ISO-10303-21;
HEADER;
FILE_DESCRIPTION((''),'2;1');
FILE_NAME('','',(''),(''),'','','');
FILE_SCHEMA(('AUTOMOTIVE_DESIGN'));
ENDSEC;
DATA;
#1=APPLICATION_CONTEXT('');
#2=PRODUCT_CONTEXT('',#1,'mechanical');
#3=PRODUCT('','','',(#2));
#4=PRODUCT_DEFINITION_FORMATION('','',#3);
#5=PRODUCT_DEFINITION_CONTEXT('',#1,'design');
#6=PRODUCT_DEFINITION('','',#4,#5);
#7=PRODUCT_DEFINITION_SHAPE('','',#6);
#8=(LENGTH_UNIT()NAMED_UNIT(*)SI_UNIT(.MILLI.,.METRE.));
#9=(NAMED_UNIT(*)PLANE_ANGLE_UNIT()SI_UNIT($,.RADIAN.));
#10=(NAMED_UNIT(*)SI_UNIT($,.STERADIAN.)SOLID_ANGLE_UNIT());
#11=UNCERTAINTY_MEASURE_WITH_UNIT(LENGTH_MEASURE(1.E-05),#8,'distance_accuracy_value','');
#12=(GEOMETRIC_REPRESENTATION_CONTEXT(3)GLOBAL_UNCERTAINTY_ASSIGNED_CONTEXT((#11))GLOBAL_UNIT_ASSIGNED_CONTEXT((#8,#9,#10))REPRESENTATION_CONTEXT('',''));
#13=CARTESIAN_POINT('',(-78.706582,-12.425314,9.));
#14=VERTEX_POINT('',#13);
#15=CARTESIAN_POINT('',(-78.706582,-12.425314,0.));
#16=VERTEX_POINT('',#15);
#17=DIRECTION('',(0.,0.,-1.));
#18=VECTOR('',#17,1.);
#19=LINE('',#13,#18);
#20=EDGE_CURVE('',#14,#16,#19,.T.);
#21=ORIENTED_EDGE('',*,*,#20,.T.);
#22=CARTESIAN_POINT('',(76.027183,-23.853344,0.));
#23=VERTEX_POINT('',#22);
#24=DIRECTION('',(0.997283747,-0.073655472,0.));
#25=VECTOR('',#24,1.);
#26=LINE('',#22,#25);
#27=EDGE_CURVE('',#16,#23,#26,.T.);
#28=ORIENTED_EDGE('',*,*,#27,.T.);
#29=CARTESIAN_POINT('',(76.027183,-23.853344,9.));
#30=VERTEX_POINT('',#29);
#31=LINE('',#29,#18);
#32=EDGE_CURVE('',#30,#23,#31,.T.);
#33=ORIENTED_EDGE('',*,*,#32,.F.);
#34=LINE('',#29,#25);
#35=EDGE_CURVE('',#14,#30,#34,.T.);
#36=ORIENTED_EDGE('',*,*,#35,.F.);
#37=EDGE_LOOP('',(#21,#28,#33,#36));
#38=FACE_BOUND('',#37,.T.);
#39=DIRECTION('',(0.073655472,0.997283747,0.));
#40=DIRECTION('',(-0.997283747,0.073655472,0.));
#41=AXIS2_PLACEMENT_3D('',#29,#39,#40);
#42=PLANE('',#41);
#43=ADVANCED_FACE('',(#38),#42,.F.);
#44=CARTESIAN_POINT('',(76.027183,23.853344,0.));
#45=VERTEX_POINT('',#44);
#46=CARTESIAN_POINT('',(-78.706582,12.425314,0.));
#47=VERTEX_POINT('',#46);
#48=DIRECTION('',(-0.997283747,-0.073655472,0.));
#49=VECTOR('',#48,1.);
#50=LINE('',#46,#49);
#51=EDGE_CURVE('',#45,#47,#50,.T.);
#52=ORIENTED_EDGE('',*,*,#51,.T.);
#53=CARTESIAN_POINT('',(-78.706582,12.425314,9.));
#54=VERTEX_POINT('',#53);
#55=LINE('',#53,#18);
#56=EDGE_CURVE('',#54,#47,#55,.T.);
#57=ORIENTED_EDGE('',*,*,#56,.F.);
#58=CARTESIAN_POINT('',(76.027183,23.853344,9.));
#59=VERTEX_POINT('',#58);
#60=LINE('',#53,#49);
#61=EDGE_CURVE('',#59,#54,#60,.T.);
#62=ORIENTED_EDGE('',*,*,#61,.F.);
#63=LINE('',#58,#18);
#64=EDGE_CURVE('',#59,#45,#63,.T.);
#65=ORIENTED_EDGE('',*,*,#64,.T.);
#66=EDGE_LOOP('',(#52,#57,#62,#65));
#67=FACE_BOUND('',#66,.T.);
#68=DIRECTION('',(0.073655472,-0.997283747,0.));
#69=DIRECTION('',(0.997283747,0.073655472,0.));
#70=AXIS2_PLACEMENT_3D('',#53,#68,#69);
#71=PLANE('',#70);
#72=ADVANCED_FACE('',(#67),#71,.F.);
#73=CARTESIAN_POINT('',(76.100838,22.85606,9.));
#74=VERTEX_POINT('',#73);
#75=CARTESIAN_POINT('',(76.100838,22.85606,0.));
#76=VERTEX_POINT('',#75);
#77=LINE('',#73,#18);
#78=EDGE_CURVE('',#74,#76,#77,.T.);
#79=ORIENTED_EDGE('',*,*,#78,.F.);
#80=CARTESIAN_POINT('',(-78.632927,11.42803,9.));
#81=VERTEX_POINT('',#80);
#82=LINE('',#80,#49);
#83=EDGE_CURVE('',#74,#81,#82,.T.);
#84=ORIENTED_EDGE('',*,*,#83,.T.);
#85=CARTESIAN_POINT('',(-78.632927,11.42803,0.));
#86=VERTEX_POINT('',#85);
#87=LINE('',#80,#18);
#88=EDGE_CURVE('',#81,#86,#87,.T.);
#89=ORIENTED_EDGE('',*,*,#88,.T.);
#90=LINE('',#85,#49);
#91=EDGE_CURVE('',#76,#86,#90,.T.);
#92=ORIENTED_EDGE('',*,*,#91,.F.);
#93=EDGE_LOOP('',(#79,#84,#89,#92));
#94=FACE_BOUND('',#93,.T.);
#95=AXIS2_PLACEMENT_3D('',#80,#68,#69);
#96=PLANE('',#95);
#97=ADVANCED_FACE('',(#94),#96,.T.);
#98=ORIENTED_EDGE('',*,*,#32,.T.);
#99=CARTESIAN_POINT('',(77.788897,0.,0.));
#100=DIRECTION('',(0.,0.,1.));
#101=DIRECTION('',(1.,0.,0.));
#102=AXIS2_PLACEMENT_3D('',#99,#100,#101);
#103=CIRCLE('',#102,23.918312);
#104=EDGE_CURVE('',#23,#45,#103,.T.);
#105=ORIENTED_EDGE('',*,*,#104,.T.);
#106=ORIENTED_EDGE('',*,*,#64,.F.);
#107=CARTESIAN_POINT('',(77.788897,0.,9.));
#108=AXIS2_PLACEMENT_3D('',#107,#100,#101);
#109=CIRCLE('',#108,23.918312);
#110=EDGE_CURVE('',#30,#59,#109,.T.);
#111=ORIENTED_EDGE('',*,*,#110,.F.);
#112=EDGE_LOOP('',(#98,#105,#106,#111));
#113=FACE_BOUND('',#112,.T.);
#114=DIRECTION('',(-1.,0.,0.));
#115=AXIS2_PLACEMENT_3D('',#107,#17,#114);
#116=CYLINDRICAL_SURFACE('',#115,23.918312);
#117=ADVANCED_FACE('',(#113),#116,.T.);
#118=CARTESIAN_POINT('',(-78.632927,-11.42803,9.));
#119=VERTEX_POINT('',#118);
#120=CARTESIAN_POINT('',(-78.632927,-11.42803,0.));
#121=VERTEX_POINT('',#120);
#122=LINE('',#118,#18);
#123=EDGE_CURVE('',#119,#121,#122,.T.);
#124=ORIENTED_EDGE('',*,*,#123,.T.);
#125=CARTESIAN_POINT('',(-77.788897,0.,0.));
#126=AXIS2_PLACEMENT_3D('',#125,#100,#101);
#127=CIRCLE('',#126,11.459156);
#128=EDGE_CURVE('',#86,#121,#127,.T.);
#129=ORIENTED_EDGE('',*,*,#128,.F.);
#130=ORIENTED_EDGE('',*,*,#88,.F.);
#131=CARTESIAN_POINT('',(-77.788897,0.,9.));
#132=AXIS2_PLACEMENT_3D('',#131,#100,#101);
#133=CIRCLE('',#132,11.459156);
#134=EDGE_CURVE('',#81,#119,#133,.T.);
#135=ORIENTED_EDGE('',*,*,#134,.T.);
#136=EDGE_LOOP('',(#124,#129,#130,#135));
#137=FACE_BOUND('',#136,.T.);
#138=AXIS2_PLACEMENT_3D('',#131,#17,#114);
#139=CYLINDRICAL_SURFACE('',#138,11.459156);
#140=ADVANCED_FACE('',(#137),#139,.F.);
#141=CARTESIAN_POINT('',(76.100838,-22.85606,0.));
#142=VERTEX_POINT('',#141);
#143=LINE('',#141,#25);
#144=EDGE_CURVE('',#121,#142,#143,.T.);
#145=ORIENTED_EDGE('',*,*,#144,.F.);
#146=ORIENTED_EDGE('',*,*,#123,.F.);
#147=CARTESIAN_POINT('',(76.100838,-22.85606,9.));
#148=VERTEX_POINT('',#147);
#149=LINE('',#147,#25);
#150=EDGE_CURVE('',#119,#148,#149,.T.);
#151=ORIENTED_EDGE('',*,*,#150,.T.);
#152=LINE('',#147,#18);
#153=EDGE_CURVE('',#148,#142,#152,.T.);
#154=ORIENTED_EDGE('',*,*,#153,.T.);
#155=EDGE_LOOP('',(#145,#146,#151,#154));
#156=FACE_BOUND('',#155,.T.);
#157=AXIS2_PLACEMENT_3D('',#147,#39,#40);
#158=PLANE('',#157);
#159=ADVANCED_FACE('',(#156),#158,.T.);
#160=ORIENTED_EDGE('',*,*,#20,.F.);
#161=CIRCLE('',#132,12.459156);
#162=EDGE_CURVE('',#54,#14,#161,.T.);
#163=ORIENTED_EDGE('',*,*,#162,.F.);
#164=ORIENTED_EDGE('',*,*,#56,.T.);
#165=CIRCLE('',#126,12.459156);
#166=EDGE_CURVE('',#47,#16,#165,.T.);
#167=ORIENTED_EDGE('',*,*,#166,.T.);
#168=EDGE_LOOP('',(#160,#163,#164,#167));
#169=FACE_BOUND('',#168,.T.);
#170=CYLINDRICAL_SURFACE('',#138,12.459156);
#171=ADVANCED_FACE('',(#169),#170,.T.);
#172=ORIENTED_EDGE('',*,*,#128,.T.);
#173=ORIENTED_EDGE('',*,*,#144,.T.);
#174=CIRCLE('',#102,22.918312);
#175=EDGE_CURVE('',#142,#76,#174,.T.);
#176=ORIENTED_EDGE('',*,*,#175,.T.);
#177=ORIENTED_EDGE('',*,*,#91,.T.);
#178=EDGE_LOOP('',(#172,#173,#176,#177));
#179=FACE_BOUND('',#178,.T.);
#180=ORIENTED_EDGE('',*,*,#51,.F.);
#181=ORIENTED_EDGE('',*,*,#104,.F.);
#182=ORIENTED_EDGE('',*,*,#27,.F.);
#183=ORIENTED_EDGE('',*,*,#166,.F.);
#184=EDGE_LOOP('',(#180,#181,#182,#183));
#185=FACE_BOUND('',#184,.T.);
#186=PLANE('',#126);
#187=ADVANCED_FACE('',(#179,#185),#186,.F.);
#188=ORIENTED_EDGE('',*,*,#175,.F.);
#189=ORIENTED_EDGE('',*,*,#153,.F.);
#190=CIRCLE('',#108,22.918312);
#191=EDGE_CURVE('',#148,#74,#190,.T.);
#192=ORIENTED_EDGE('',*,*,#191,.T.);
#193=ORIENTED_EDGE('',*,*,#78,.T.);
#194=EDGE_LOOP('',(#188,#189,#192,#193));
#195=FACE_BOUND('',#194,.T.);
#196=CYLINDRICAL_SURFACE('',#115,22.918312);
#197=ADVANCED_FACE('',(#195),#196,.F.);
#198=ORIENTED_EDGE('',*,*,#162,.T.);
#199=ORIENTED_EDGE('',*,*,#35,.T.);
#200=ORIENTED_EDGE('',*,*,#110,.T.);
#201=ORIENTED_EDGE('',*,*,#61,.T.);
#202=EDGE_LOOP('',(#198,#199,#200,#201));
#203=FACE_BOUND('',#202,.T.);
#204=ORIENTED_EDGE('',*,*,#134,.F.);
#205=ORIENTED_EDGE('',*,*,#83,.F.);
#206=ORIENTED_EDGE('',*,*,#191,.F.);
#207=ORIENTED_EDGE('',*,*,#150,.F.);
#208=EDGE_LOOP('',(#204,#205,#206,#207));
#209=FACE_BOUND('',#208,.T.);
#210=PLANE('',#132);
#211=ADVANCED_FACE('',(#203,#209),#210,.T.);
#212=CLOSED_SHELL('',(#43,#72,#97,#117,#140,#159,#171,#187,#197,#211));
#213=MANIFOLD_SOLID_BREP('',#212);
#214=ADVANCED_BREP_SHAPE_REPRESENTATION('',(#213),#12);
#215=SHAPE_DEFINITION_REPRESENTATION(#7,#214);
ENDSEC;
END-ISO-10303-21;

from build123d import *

# Parameters (mm, degrees)
BOSS_EXTRUDE2_DEPTH = 9


with BuildPart() as part:
    # Sketch1 → Boss-Extrude2 (new body)
    with BuildSketch(Plane.XY):
        with BuildLine():
            Line((76.027182512, -23.853343612), (-78.706582076, -12.425313679))
            ThreePointArc((-78.706582076, -12.425313679), (-90.248052967, 0), (-78.706582076, 12.425313679))
            Line((-78.706582076, 12.425313679), (76.027182512, 23.853343612))
            ThreePointArc((76.027182512, 23.853343612), (101.707208869, 0), (76.027182512, -23.853343612))
        make_face()
        with BuildLine():
            Line((76.100837984, -22.856059865), (-78.632926604, -11.428029932))
            ThreePointArc((-78.632926604, -11.428029932), (-89.248052967, 0), (-78.632926604, 11.428029932))
            Line((-78.632926604, 11.428029932), (76.100837984, 22.856059865))
            ThreePointArc((76.100837984, 22.856059865), (100.707208869, 0), (76.100837984, -22.856059865))
        make_face(mode=Mode.SUBTRACT)
    extrude(amount=BOSS_EXTRUDE2_DEPTH)


solid = part.part
